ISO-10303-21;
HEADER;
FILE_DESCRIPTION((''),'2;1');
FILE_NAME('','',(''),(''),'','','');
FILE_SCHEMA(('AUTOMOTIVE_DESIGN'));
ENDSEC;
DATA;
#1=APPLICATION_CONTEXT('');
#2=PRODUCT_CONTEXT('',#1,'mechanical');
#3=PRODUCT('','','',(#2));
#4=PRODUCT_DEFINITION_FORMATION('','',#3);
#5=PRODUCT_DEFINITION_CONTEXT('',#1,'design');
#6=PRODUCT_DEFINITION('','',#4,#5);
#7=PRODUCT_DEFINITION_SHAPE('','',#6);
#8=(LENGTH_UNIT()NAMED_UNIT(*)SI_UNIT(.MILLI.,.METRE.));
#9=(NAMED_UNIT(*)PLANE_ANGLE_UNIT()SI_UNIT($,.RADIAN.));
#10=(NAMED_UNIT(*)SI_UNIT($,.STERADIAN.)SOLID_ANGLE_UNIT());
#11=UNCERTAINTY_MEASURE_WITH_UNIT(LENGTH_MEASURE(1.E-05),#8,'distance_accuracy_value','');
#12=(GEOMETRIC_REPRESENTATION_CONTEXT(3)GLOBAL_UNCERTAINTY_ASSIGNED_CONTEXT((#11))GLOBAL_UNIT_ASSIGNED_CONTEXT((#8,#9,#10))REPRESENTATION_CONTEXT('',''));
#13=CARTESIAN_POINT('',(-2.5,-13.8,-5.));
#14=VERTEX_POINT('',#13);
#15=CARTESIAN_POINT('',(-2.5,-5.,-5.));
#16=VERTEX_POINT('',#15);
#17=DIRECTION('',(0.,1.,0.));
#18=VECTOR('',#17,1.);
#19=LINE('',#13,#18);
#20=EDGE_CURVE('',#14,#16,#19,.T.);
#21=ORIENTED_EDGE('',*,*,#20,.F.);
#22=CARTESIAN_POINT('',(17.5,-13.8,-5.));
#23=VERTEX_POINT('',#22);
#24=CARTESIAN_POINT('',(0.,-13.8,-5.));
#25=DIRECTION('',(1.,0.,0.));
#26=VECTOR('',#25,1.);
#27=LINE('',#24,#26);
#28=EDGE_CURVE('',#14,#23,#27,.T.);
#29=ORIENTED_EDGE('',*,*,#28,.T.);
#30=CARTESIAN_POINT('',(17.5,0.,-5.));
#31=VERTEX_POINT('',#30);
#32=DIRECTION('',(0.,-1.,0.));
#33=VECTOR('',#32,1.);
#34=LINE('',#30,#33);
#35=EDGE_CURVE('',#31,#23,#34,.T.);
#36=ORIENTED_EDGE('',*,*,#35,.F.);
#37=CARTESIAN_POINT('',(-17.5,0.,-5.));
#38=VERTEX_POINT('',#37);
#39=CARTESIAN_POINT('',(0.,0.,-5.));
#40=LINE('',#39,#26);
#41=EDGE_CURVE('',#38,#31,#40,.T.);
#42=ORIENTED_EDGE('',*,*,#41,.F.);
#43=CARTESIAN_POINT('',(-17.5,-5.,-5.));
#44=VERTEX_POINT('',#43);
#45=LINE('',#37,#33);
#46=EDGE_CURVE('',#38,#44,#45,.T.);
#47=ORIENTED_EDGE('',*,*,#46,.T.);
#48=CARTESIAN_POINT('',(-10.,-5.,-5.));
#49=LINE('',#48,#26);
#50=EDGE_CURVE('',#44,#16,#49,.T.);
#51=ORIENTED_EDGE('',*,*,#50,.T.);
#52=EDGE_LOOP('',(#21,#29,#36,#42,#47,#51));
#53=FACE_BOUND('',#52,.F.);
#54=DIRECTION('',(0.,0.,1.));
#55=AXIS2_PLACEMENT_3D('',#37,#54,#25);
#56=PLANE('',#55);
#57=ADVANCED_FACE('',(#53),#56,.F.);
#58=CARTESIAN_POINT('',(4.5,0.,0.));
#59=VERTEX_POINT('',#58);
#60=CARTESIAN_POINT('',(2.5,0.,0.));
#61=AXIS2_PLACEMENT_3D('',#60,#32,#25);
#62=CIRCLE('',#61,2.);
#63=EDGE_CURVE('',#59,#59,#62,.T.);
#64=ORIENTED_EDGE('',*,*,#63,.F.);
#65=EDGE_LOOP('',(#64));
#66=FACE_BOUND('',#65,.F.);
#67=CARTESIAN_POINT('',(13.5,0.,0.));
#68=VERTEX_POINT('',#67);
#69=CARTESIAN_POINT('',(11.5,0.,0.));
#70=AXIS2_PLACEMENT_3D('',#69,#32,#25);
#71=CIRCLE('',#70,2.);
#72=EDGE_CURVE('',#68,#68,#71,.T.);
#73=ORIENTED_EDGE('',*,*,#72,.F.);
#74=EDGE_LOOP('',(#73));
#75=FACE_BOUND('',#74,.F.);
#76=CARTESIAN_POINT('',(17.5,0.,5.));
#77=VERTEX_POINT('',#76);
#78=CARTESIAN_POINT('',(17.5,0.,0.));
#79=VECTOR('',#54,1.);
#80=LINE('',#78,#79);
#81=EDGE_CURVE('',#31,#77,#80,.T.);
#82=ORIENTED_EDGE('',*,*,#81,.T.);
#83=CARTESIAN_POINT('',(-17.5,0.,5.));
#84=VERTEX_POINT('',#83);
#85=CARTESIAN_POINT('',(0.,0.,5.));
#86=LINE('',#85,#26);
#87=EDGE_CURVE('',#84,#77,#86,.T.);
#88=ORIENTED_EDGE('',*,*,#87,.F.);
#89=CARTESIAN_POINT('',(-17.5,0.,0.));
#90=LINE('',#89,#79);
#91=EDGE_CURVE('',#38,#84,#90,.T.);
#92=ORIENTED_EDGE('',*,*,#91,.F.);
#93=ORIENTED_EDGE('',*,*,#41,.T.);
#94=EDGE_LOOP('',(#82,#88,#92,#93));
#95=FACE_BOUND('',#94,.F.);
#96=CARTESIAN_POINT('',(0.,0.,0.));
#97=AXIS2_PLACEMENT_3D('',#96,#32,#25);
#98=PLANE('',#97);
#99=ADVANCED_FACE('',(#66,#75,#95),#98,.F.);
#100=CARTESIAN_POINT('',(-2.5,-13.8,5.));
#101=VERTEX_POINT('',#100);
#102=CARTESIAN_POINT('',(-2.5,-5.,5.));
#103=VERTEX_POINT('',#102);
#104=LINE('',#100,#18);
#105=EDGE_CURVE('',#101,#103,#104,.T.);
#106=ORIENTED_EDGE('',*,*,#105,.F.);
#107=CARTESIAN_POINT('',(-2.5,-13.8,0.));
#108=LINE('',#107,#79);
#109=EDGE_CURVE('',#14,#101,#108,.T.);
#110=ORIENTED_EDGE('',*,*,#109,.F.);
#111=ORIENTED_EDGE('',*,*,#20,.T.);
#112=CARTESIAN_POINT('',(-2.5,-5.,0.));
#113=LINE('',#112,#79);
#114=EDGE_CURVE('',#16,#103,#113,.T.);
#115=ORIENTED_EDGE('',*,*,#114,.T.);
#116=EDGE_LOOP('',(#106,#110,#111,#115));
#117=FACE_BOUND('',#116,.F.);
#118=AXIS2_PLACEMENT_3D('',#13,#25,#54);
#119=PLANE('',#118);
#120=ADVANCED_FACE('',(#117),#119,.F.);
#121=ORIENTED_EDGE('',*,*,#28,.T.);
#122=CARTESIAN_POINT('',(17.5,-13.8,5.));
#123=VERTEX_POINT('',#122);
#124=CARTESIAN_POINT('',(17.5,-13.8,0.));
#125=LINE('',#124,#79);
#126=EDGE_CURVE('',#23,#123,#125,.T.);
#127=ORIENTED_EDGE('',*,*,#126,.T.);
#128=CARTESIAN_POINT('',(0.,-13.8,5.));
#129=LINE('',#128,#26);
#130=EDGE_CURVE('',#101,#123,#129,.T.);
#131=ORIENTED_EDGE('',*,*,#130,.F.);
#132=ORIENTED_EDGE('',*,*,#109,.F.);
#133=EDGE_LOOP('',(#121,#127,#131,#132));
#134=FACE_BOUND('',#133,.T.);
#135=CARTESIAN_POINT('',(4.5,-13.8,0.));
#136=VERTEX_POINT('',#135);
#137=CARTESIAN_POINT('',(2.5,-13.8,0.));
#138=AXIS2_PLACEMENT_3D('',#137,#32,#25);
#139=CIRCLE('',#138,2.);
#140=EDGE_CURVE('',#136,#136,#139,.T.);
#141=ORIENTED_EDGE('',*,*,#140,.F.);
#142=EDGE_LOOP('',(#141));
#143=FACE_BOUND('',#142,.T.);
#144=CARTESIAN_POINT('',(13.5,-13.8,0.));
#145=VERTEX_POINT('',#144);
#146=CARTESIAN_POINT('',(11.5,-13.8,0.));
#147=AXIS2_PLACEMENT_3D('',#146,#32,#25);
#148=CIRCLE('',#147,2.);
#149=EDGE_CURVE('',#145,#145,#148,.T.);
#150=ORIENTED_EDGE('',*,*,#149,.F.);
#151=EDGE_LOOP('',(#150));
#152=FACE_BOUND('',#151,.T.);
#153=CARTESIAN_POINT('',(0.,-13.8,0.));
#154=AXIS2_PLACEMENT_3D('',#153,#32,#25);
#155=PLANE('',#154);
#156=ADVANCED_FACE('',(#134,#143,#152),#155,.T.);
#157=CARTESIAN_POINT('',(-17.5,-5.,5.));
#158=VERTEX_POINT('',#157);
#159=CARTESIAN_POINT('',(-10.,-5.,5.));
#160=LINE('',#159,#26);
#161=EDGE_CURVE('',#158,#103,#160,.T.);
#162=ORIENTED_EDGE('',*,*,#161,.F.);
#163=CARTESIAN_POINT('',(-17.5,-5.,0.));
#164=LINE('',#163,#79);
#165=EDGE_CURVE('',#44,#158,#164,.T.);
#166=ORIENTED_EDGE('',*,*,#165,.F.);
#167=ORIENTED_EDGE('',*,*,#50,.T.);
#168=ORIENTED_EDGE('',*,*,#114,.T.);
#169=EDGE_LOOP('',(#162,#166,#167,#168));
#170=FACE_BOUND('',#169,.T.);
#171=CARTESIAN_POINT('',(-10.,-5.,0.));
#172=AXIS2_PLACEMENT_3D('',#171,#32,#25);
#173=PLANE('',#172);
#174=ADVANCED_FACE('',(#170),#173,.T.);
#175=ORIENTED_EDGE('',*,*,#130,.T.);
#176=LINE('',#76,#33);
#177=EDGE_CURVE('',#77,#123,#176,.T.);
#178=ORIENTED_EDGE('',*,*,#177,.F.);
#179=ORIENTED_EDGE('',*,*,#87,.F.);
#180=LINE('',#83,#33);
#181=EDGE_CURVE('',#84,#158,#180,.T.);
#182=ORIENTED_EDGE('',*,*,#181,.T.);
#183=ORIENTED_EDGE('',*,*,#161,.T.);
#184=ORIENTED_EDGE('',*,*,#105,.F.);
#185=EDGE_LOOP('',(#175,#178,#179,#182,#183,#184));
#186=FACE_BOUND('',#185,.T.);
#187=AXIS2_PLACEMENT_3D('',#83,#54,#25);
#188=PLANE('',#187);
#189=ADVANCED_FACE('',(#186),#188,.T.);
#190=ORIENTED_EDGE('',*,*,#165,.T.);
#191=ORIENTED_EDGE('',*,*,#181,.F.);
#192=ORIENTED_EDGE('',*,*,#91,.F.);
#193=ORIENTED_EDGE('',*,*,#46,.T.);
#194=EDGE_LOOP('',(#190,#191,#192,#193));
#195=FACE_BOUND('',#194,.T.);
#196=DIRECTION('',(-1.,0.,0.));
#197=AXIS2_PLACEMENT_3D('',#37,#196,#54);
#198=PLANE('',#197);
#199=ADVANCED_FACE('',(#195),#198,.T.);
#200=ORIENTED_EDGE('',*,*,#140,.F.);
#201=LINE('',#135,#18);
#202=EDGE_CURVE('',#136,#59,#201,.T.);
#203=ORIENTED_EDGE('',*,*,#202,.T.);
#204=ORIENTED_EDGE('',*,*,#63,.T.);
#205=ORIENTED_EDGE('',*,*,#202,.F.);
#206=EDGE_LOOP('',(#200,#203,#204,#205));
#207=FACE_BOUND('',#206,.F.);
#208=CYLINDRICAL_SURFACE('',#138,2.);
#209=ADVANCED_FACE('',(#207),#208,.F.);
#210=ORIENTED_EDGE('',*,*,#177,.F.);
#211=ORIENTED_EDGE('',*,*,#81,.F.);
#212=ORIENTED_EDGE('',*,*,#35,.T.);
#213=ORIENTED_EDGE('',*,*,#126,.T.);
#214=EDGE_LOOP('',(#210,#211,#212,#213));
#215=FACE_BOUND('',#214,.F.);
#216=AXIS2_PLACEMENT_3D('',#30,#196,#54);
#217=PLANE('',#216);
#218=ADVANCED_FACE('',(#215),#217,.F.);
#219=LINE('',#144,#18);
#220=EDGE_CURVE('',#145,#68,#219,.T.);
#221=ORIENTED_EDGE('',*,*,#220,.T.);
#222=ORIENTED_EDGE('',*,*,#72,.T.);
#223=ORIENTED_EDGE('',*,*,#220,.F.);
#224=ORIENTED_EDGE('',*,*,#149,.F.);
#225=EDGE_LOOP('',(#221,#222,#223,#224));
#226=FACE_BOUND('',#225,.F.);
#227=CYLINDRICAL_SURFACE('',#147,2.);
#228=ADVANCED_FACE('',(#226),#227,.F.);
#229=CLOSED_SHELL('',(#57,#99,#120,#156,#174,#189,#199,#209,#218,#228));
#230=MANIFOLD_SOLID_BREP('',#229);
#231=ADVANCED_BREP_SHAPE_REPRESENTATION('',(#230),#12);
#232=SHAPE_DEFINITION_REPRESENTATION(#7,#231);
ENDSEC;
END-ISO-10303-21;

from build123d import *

# Parameters (mm, degrees)
F0_W     = 35
F0_H     = 10
F1_DEPTH = 13.8
F2_W     = 15
F2_H     = 10
F3_DEPTH = 8.8
F4_R     = 2
F5_DEPTH = 13.8


with BuildPart() as f1:
    # F0 (on Front) → F1 (new body)
    with BuildSketch(Plane.XZ):
        Rectangle(F0_W, F0_H)
    extrude(amount=F1_DEPTH)

    # F2 (on face) → F3 (cut)
    with BuildSketch(Plane.XZ.offset(13.8)):
        with Locations((-10, 0)):
            Rectangle(F2_W, F2_H)
    extrude(amount=-F3_DEPTH, mode=Mode.SUBTRACT)

    # F4 (on face) → F5 (cut)
    with BuildSketch(Plane.XZ.offset(13.8)):
        with Locations((2.5, 0)):
            Circle(F4_R)
        with Locations((11.5, 0)):
            Circle(F4_R)
    extrude(amount=-F5_DEPTH, mode=Mode.SUBTRACT)


solid = f1.part
